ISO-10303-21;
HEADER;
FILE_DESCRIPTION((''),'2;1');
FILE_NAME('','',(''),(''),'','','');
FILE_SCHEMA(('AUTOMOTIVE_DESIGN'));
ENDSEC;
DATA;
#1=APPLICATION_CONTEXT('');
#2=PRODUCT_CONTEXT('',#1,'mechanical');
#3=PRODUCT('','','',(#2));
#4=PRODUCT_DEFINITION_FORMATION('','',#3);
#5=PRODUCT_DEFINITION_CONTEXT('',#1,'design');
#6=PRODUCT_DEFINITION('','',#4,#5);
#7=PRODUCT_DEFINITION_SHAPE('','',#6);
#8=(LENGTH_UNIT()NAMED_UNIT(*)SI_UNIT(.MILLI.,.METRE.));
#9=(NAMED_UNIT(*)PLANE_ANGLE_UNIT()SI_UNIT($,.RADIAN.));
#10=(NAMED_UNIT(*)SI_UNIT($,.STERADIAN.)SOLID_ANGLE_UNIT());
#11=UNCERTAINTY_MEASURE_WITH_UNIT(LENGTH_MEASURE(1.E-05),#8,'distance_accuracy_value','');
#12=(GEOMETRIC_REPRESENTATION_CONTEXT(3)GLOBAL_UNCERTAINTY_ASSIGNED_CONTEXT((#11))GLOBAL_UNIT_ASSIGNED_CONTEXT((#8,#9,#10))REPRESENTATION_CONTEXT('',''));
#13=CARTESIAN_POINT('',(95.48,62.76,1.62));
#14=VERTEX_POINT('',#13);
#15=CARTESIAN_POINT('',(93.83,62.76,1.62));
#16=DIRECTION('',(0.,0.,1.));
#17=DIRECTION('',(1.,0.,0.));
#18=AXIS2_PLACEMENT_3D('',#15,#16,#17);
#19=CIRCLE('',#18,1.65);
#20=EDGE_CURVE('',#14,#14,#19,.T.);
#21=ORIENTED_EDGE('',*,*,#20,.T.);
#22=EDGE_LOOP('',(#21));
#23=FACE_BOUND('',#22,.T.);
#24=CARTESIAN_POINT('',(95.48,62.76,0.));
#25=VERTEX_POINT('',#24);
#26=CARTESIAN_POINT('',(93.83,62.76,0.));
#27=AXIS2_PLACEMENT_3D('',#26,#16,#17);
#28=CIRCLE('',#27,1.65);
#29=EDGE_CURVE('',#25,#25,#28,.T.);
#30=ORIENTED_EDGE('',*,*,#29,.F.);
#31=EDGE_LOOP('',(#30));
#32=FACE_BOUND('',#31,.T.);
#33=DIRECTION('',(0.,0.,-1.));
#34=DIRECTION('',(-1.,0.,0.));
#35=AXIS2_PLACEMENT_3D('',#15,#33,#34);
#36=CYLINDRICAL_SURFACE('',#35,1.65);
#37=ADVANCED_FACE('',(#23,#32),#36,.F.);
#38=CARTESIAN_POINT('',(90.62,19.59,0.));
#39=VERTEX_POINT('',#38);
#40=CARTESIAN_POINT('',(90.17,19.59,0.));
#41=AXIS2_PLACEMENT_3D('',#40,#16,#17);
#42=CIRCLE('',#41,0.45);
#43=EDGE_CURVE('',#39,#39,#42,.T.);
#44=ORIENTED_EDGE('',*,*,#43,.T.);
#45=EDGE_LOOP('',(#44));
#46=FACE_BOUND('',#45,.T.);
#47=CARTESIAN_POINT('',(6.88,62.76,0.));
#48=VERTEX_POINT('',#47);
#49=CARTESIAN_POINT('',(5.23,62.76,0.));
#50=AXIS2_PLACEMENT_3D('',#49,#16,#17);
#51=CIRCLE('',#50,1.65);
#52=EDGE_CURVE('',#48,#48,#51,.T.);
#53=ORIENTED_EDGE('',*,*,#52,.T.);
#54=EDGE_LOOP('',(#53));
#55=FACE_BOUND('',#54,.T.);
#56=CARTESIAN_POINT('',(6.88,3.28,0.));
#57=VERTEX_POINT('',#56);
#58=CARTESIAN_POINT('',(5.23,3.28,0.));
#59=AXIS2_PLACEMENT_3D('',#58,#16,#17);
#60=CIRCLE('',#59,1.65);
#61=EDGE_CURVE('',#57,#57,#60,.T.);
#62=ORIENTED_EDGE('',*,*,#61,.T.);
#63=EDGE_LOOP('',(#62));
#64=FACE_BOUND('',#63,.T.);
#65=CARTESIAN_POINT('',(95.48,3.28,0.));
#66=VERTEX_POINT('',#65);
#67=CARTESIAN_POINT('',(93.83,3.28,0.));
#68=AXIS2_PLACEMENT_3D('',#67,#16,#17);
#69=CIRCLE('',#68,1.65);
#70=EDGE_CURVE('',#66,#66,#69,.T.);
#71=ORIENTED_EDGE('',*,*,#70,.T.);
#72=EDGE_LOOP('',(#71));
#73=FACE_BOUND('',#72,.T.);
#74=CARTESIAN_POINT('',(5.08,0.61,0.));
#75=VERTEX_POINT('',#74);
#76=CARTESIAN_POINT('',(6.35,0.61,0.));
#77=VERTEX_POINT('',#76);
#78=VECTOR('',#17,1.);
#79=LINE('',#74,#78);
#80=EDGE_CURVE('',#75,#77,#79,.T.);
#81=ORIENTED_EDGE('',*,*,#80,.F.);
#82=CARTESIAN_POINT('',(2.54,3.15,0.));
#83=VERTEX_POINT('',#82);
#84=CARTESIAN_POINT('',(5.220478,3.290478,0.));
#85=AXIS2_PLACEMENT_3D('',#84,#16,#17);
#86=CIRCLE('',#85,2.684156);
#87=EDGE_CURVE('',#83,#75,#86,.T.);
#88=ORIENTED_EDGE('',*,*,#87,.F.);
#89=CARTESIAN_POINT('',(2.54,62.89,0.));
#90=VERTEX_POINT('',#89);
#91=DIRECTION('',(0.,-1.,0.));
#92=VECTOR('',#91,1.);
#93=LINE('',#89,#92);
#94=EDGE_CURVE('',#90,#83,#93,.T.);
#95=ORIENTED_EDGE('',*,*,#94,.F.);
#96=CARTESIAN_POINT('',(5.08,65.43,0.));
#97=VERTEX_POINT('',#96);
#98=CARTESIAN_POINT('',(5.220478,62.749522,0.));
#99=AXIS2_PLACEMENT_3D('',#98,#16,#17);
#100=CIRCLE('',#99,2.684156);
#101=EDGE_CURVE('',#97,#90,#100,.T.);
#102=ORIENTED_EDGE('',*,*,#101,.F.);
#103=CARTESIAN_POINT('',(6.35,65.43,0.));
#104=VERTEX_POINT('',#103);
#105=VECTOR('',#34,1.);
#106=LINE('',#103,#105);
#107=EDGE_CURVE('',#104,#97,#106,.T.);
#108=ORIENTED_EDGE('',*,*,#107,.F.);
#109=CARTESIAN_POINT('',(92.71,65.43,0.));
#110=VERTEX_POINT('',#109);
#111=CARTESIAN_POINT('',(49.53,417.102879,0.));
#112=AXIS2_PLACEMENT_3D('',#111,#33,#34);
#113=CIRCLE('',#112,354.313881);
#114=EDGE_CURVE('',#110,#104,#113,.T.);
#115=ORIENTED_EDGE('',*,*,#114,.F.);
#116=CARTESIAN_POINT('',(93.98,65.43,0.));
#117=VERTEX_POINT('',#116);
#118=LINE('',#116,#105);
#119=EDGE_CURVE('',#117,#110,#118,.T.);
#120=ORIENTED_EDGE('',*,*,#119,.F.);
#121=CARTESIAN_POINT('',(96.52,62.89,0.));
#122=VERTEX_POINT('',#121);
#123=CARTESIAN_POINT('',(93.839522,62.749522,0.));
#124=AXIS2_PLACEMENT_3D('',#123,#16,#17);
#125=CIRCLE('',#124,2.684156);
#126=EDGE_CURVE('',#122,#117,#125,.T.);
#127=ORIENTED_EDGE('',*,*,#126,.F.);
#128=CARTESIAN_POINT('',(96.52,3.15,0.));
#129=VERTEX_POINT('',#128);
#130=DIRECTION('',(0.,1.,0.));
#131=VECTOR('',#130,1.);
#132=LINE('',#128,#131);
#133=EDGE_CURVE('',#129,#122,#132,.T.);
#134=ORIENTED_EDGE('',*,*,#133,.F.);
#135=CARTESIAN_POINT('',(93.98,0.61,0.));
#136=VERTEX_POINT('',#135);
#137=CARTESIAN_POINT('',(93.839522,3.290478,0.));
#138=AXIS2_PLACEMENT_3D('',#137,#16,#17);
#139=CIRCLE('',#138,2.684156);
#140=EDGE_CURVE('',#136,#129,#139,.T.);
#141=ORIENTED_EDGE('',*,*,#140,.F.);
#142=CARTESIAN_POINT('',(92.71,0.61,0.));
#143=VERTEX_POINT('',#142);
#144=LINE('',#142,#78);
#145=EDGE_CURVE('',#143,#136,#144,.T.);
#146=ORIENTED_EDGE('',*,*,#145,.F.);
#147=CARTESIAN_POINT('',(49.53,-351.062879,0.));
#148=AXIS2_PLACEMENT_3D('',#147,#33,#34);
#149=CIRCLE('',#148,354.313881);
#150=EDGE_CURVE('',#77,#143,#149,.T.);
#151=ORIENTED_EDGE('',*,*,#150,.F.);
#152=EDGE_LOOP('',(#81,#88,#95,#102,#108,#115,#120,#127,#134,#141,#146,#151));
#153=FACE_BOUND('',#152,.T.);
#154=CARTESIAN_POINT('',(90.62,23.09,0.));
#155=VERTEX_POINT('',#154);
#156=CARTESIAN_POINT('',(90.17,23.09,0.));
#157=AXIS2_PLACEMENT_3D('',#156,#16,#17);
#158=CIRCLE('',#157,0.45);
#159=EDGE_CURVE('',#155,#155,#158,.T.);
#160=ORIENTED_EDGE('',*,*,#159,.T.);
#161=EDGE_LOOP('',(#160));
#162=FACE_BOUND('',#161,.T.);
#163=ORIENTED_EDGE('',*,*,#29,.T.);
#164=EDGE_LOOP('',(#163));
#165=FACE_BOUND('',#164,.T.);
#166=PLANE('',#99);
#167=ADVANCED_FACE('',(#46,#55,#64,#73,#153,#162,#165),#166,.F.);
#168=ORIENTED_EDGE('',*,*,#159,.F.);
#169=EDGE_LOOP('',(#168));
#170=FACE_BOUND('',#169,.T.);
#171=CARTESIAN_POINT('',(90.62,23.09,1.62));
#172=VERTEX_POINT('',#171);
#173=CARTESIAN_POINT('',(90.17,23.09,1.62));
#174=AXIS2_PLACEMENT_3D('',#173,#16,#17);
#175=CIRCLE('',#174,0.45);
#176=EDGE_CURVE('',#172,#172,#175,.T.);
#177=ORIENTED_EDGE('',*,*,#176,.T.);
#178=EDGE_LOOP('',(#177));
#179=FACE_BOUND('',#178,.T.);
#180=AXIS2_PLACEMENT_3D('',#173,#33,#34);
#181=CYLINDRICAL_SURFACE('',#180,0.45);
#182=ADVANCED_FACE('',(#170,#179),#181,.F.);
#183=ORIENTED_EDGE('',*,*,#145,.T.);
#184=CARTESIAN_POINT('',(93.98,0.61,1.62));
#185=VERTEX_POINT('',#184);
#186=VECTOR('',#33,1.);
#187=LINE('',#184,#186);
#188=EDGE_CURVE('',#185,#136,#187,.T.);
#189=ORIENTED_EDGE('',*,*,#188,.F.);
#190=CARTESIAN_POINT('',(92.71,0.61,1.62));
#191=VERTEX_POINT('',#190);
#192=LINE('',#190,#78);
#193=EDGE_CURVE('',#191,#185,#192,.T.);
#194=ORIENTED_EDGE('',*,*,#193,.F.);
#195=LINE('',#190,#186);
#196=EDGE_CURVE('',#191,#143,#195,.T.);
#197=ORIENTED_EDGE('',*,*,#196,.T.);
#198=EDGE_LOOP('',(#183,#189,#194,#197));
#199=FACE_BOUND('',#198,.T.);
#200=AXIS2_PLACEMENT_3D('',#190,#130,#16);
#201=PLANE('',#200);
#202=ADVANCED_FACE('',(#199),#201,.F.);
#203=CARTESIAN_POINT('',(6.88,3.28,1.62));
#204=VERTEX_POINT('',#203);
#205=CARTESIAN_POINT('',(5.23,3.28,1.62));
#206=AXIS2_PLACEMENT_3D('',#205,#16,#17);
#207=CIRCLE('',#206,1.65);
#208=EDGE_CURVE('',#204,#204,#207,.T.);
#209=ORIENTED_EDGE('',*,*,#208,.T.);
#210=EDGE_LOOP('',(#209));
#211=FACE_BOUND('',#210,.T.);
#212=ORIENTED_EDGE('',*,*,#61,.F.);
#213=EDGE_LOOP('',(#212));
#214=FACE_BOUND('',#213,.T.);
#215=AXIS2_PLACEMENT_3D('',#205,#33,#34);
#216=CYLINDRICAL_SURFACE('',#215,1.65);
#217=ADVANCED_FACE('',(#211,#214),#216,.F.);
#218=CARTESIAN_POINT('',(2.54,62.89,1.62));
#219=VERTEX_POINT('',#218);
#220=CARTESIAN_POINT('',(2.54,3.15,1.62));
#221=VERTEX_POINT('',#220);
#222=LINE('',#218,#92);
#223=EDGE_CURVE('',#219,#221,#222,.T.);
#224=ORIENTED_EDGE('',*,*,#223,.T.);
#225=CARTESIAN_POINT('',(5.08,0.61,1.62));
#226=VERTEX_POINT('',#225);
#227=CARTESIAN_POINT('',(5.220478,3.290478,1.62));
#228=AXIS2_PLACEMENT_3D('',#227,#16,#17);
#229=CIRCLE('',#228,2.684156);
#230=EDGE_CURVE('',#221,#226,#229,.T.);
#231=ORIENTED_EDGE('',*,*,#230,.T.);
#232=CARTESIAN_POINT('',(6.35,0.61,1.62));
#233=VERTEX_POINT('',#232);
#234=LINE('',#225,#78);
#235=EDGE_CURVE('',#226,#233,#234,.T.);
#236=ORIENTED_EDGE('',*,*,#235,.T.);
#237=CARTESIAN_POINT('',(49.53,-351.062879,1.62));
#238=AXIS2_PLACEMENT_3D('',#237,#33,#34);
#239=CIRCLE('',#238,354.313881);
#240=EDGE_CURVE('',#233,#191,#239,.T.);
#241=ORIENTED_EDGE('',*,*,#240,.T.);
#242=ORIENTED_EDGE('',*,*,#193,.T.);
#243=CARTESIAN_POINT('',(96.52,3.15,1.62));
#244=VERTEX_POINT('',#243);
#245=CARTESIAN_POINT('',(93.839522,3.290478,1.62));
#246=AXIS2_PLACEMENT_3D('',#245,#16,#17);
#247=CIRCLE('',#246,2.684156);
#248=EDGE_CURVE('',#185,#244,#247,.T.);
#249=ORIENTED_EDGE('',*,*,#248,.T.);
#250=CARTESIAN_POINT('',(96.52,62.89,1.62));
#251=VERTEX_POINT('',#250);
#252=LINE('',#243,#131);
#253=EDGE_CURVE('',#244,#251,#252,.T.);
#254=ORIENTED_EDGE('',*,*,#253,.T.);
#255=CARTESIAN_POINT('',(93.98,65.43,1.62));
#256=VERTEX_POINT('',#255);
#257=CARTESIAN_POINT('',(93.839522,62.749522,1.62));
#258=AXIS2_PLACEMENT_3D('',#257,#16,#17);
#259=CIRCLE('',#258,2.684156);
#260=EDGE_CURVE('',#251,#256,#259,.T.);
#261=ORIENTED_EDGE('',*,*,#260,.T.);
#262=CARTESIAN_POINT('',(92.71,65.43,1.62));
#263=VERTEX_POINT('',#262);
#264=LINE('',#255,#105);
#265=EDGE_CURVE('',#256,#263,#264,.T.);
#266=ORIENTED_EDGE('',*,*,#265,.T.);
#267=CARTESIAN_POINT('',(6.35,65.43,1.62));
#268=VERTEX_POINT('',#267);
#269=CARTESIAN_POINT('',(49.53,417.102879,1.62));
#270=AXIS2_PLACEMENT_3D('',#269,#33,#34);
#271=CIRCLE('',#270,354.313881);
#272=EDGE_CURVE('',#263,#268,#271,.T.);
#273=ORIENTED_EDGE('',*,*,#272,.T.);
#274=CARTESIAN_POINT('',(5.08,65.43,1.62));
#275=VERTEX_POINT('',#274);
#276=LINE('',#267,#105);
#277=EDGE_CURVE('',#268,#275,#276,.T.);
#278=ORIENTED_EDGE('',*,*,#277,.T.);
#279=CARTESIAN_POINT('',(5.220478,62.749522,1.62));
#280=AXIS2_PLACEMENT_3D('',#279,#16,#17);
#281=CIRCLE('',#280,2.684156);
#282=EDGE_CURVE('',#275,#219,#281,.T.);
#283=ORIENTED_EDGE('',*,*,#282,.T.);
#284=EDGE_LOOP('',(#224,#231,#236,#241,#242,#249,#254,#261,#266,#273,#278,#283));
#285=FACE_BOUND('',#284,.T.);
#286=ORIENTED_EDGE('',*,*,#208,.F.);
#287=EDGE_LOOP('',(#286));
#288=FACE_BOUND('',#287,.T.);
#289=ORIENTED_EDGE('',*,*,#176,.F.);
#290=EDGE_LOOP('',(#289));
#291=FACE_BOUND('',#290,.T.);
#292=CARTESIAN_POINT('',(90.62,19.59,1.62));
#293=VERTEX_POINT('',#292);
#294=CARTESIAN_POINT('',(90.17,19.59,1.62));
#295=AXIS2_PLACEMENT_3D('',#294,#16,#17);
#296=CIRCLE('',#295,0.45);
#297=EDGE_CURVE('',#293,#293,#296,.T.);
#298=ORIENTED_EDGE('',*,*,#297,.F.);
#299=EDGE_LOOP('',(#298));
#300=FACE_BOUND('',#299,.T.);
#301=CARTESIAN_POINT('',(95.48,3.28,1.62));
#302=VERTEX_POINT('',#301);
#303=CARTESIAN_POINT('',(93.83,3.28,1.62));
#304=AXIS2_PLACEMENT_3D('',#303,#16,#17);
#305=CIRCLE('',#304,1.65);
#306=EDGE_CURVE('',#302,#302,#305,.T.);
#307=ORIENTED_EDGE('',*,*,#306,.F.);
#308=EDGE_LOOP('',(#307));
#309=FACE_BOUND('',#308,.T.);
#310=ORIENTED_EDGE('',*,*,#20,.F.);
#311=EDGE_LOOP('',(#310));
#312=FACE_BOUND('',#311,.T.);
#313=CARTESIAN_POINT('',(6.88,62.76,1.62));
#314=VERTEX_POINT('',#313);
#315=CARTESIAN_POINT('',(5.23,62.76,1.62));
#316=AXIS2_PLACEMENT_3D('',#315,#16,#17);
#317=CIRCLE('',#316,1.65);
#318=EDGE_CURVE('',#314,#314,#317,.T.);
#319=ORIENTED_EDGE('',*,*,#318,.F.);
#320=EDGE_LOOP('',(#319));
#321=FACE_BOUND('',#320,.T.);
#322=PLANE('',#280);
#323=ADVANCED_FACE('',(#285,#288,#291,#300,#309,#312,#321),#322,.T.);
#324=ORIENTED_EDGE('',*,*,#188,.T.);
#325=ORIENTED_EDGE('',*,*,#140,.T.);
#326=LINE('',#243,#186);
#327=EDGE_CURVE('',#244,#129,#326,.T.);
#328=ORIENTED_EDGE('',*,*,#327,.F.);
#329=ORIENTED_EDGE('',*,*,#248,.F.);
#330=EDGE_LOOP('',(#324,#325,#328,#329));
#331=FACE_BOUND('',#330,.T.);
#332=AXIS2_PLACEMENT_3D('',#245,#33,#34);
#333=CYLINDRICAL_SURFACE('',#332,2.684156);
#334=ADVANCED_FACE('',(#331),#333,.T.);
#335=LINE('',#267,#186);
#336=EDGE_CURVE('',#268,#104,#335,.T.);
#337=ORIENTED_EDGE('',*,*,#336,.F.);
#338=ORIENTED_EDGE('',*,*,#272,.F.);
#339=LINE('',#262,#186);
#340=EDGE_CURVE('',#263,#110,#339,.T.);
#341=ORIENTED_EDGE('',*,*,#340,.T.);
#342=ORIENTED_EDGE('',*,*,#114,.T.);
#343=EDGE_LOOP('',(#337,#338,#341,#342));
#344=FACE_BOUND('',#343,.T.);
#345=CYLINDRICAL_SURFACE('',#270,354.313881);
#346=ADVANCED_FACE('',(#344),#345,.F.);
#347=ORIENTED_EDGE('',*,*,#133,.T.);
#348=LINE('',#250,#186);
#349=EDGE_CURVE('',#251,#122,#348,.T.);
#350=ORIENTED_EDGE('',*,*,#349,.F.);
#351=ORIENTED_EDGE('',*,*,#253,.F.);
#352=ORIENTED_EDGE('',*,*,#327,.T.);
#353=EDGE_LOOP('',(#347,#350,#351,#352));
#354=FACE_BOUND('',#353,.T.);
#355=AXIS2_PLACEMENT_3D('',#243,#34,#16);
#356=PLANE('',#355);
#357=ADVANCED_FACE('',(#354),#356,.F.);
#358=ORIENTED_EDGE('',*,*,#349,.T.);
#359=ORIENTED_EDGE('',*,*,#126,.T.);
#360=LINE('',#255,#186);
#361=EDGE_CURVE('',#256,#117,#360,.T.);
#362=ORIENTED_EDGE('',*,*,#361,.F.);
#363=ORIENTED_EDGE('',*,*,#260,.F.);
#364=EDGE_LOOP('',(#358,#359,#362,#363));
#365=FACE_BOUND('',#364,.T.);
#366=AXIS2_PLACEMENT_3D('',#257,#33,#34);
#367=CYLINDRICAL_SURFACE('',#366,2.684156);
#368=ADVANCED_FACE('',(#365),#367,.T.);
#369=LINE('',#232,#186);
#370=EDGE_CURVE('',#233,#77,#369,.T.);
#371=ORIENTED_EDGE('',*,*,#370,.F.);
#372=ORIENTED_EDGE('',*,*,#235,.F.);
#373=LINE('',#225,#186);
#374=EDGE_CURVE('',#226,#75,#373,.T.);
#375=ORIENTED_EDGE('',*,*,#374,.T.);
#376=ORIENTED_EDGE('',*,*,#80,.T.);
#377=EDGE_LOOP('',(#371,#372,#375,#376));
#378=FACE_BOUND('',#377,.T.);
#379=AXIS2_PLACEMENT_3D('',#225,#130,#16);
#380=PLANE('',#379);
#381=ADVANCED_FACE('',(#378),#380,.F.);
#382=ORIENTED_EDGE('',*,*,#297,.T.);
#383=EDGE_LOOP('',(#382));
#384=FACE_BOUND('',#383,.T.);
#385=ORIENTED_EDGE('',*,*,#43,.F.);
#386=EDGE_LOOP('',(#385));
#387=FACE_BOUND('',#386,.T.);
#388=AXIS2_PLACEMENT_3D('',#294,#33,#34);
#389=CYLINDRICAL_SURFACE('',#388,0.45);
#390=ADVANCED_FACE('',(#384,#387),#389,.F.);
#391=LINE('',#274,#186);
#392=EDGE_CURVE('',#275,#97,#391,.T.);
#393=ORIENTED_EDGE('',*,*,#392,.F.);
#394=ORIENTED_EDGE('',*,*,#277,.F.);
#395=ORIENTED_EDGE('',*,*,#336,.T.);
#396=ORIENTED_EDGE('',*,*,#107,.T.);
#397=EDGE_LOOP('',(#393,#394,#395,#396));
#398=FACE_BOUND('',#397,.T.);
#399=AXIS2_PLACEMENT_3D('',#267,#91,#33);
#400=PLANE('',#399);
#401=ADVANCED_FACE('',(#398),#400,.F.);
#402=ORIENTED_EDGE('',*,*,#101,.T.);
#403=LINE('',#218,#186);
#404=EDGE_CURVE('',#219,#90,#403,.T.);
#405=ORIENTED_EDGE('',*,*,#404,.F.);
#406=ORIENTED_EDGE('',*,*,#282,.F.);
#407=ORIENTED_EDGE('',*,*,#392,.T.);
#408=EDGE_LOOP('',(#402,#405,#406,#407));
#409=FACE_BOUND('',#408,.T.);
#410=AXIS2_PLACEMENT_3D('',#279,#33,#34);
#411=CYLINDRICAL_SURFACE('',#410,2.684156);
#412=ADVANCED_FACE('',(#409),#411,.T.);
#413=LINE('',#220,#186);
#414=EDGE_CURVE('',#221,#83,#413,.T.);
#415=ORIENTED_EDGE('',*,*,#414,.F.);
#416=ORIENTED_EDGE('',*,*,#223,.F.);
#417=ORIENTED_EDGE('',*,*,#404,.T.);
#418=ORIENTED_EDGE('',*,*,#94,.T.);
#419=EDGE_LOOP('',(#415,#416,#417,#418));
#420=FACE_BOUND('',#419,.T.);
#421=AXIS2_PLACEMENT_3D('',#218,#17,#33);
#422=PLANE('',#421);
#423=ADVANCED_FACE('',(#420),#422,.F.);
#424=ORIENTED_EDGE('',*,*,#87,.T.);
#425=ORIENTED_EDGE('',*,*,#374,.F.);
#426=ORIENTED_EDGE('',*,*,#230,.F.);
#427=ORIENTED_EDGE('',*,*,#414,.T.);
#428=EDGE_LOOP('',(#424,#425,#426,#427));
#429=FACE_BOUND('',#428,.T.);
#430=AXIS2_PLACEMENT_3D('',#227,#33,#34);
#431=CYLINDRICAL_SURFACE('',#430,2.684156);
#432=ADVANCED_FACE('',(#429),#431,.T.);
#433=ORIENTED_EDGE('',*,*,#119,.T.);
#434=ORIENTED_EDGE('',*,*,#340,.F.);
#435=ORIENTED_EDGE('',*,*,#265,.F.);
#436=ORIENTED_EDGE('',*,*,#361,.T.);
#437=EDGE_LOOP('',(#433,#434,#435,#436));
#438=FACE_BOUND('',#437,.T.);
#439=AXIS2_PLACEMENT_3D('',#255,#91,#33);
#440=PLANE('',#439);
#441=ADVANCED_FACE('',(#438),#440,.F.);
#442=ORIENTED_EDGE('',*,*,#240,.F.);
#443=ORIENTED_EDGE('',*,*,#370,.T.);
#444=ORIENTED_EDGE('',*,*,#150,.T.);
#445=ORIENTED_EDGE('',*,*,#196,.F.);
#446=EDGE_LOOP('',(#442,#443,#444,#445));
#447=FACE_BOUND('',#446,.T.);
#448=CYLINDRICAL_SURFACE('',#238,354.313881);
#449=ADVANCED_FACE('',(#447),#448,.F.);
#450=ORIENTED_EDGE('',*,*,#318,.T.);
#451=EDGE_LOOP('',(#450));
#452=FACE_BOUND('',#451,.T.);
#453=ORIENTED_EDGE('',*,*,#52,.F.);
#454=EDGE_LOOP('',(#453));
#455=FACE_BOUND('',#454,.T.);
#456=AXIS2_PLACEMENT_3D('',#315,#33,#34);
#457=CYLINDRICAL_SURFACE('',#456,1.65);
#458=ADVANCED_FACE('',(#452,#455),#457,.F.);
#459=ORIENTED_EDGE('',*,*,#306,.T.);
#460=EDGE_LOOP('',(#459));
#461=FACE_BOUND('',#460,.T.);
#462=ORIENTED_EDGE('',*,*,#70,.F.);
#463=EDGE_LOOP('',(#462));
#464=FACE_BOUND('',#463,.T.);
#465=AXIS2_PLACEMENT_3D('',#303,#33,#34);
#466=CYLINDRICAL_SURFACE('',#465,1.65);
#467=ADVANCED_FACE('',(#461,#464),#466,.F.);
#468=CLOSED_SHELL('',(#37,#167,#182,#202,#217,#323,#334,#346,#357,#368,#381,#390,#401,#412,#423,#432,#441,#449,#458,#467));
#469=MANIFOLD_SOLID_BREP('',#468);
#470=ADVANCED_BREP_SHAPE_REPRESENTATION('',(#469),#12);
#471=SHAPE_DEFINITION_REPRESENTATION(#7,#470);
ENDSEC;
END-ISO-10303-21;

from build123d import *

# Parameters (mm, degrees)
BOARD_OUTLINE_DEPTH = 1.62
SKETCH2_R           = 0.45
NPTH_DEPTH          = 117.618264864
SKETCH3_R           = 1.65
PTH_DEPTH           = 117.618264864


with BuildPart() as part:
    # Sketch1 → Board_Outline (new body)
    with BuildSketch(Plane.XY):
        with BuildLine():
            Line((2.54, 62.89), (2.54, 3.15))
            ThreePointArc((2.54, 3.15), (3.322492676, 1.392492676), (5.08, 0.61))
            Line((5.08, 0.61), (6.35, 0.61))
            ThreePointArc((6.35, 0.61), (49.53, 3.251001938), (92.71, 0.61))
            Line((92.71, 0.61), (93.98, 0.61))
            ThreePointArc((93.98, 0.61), (95.737507324, 1.392492676), (96.52, 3.15))
            Line((96.52, 3.15), (96.52, 62.89))
            ThreePointArc((96.52, 62.89), (95.737507324, 64.647507324), (93.98, 65.43))
            Line((93.98, 65.43), (92.71, 65.43))
            ThreePointArc((92.71, 65.43), (49.53, 62.788998062), (6.35, 65.43))
            Line((6.35, 65.43), (5.08, 65.43))
            ThreePointArc((5.08, 65.43), (3.322492676, 64.647507324), (2.54, 62.89))
        make_face()
    extrude(amount=BOARD_OUTLINE_DEPTH)

    # Sketch2 → NPTH (cut, through all)
    with BuildSketch(Plane.XY):
        with Locations((90.17, 23.09)):
            Circle(SKETCH2_R)
        with Locations((90.17, 19.59)):
            Circle(SKETCH2_R)
    extrude(amount=NPTH_DEPTH, mode=Mode.SUBTRACT)

    # Sketch3 → PTH (cut, through all)
    with BuildSketch(Plane.XY):
        with Locations((93.83, 3.28)):
            Circle(SKETCH3_R)
        with Locations((5.23, 3.28)):
            Circle(SKETCH3_R)
        with Locations((5.23, 62.76)):
            Circle(SKETCH3_R)
        with Locations((93.83, 62.76)):
            Circle(SKETCH3_R)
    extrude(amount=PTH_DEPTH, mode=Mode.SUBTRACT)


solid = part.part
